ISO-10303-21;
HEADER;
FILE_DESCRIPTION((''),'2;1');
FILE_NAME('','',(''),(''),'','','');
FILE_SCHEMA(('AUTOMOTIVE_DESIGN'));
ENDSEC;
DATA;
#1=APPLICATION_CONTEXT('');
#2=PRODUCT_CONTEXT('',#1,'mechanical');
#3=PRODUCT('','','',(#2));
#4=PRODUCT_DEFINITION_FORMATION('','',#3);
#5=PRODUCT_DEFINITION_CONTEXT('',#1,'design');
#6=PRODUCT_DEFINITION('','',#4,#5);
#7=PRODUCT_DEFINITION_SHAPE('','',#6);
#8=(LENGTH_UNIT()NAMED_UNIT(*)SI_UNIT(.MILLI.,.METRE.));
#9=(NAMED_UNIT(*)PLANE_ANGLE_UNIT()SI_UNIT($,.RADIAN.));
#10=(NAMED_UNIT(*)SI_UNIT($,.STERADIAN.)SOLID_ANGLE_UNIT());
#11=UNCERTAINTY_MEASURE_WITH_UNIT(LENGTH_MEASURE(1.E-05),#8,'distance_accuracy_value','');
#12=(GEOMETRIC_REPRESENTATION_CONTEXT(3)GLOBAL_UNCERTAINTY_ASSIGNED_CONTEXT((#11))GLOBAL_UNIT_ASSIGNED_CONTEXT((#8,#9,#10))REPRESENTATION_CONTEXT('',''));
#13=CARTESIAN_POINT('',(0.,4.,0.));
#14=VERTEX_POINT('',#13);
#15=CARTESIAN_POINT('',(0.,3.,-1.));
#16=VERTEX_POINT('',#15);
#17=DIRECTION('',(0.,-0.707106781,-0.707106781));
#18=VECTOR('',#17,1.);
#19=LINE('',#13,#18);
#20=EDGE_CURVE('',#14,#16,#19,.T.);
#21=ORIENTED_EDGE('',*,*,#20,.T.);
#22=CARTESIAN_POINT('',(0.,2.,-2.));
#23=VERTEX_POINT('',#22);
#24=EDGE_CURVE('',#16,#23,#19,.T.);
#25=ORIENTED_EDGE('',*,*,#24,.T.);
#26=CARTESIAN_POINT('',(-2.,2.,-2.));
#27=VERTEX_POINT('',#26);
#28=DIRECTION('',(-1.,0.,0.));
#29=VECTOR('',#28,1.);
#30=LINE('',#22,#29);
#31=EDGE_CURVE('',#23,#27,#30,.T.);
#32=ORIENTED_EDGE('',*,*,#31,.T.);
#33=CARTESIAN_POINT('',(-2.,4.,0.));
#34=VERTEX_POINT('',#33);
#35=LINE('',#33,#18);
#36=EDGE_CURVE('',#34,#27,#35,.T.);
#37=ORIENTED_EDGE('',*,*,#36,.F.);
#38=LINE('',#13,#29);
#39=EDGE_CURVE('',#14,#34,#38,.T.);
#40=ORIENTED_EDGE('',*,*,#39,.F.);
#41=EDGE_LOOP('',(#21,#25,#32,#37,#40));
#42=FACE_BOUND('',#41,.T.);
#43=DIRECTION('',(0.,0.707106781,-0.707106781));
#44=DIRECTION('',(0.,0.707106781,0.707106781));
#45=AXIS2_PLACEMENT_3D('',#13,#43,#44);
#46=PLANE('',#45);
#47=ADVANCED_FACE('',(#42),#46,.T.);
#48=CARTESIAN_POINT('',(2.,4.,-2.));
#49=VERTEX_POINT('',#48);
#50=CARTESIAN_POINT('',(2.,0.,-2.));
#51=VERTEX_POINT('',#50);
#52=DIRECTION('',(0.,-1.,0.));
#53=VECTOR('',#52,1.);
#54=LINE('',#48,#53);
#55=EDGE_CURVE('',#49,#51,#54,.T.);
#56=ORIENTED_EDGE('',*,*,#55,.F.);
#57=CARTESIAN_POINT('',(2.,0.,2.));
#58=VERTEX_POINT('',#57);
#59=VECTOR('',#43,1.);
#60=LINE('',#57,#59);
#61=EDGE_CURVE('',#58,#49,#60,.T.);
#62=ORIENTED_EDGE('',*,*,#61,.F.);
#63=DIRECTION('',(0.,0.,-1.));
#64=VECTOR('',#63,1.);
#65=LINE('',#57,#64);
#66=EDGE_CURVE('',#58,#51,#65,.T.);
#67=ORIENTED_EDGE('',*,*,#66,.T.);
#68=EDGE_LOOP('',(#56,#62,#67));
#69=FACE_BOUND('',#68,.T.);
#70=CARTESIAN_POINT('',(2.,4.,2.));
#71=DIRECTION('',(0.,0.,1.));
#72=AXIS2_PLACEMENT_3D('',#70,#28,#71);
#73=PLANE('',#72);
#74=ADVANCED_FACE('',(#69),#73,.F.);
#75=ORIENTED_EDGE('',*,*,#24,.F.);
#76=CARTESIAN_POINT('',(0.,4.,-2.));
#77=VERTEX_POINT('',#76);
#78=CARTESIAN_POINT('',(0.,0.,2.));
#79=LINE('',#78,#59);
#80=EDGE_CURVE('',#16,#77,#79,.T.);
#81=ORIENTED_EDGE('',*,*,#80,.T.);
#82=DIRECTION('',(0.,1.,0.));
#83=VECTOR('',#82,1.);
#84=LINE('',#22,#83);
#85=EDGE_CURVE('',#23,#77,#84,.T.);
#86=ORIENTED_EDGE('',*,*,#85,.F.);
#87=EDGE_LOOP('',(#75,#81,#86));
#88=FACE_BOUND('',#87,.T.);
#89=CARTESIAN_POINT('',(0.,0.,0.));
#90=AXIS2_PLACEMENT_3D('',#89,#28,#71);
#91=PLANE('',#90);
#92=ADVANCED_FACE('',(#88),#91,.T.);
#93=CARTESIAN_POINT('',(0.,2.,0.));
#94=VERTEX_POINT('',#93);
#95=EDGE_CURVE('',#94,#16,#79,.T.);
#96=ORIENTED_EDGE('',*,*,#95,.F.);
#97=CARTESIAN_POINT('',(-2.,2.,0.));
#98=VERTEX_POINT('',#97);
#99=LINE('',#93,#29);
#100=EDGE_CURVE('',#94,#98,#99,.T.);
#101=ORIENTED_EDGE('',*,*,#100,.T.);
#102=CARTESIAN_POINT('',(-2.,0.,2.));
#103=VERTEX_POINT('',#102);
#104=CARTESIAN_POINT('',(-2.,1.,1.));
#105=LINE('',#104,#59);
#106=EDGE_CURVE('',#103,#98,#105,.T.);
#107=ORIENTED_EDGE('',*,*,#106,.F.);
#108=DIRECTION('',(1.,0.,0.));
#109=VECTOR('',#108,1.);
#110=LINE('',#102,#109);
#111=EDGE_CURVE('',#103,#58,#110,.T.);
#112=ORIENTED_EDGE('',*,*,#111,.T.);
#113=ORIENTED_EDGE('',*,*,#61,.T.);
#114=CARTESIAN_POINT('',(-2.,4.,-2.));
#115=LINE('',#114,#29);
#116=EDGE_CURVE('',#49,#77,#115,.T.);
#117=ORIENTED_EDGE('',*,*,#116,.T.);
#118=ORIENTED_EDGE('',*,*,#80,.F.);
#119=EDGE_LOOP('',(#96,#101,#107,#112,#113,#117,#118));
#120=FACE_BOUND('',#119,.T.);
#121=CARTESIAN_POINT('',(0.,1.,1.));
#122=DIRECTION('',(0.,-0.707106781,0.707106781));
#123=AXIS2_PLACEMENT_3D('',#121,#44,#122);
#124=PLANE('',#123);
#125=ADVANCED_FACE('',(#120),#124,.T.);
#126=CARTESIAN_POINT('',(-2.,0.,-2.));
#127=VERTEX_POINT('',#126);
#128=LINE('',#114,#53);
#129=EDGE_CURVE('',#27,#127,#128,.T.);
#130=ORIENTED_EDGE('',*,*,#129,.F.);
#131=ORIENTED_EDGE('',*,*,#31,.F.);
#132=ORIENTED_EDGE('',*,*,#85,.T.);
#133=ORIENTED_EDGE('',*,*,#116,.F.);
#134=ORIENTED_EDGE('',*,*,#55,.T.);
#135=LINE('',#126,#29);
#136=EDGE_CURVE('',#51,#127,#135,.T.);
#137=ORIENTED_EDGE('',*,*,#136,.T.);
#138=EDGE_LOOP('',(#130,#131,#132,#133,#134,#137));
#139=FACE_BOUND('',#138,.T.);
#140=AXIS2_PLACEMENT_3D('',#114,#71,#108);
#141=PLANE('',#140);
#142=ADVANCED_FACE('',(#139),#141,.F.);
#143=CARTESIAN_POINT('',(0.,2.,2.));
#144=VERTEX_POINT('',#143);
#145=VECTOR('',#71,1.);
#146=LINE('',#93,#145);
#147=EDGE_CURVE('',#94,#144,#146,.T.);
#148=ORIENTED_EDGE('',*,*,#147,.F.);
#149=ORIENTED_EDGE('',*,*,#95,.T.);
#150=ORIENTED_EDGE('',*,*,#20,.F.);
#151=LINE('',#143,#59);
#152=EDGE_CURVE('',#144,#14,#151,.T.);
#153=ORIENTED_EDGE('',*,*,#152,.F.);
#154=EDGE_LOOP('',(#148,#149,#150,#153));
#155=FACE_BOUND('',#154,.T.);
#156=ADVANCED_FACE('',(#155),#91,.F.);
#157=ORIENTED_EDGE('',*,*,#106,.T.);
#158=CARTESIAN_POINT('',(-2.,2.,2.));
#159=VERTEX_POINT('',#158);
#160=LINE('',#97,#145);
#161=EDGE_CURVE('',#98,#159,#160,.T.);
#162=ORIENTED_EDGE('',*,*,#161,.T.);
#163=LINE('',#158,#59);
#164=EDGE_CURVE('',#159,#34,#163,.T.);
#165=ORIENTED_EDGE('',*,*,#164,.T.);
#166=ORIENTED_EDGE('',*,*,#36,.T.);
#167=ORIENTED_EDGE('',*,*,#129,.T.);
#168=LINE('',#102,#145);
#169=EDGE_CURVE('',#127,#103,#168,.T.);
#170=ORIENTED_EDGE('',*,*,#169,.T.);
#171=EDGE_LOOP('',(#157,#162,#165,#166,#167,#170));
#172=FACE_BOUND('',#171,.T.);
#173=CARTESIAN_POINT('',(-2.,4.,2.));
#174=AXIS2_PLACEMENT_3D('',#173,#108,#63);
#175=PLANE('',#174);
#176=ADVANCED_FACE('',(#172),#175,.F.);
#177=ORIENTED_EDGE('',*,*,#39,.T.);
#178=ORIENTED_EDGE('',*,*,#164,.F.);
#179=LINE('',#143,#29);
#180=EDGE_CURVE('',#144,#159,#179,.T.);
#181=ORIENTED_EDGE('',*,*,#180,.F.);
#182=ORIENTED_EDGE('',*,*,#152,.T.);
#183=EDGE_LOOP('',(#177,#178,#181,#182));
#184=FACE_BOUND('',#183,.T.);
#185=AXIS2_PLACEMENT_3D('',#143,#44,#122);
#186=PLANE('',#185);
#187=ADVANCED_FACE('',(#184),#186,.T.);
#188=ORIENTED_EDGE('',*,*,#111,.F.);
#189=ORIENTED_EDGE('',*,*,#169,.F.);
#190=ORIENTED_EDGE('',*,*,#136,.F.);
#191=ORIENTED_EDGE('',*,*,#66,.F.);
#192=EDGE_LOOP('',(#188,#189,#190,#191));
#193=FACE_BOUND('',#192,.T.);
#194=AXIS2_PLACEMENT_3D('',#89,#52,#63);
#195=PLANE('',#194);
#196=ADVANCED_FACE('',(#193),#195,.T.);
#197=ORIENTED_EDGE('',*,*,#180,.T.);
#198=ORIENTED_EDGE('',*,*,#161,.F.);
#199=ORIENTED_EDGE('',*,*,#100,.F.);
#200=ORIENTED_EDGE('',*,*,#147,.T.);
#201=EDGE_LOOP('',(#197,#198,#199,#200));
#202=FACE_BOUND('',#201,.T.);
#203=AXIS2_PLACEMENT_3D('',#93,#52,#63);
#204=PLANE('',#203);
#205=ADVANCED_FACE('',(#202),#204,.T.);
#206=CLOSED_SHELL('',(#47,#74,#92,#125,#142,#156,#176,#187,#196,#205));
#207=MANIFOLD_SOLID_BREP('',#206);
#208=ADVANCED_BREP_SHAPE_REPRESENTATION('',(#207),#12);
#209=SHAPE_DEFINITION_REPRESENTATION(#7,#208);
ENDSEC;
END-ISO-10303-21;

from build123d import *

# Parameters (mm, degrees)
SKETCH1_W           = 4
SKETCH1_H           = 4
BOSS_EXTRUDE1_DEPTH = 4
CUT_EXTRUDE1_DEPTH  = 2
CUT_EXTRUDE2_DEPTH  = 2


with BuildPart() as part:
    # Sketch1 → Boss-Extrude1 (new body)
    with BuildSketch(Plane(origin=(0, 0, 0), x_dir=(1, 0, 0), z_dir=(0, 1, 0))):
        Rectangle(SKETCH1_W, SKETCH1_H)
    extrude(amount=BOSS_EXTRUDE1_DEPTH)

    # Sketch2 → Cut-Extrude1 (cut)
    with BuildSketch(Plane.ZY.offset(2)):
        Polygon((0, 2), (2, 0), (2, 2), align=None)
        Polygon((0, 4), (2, 2), (2, 4), align=None)
        Polygon((0, 4), (-2, 2), (-2, 4), align=None)
    extrude(amount=-CUT_EXTRUDE1_DEPTH, mode=Mode.SUBTRACT)

    # Sketch3 → Cut-Extrude2 (cut)
    with BuildSketch(Plane(origin=(2, 0, 0), x_dir=(0, 0, -1), z_dir=(1, 0, 0))):
        Polygon((-2, 0), (2, 4), (-2, 4.116557223), align=None)
    extrude(amount=-CUT_EXTRUDE2_DEPTH, mode=Mode.SUBTRACT)


solid = part.part
